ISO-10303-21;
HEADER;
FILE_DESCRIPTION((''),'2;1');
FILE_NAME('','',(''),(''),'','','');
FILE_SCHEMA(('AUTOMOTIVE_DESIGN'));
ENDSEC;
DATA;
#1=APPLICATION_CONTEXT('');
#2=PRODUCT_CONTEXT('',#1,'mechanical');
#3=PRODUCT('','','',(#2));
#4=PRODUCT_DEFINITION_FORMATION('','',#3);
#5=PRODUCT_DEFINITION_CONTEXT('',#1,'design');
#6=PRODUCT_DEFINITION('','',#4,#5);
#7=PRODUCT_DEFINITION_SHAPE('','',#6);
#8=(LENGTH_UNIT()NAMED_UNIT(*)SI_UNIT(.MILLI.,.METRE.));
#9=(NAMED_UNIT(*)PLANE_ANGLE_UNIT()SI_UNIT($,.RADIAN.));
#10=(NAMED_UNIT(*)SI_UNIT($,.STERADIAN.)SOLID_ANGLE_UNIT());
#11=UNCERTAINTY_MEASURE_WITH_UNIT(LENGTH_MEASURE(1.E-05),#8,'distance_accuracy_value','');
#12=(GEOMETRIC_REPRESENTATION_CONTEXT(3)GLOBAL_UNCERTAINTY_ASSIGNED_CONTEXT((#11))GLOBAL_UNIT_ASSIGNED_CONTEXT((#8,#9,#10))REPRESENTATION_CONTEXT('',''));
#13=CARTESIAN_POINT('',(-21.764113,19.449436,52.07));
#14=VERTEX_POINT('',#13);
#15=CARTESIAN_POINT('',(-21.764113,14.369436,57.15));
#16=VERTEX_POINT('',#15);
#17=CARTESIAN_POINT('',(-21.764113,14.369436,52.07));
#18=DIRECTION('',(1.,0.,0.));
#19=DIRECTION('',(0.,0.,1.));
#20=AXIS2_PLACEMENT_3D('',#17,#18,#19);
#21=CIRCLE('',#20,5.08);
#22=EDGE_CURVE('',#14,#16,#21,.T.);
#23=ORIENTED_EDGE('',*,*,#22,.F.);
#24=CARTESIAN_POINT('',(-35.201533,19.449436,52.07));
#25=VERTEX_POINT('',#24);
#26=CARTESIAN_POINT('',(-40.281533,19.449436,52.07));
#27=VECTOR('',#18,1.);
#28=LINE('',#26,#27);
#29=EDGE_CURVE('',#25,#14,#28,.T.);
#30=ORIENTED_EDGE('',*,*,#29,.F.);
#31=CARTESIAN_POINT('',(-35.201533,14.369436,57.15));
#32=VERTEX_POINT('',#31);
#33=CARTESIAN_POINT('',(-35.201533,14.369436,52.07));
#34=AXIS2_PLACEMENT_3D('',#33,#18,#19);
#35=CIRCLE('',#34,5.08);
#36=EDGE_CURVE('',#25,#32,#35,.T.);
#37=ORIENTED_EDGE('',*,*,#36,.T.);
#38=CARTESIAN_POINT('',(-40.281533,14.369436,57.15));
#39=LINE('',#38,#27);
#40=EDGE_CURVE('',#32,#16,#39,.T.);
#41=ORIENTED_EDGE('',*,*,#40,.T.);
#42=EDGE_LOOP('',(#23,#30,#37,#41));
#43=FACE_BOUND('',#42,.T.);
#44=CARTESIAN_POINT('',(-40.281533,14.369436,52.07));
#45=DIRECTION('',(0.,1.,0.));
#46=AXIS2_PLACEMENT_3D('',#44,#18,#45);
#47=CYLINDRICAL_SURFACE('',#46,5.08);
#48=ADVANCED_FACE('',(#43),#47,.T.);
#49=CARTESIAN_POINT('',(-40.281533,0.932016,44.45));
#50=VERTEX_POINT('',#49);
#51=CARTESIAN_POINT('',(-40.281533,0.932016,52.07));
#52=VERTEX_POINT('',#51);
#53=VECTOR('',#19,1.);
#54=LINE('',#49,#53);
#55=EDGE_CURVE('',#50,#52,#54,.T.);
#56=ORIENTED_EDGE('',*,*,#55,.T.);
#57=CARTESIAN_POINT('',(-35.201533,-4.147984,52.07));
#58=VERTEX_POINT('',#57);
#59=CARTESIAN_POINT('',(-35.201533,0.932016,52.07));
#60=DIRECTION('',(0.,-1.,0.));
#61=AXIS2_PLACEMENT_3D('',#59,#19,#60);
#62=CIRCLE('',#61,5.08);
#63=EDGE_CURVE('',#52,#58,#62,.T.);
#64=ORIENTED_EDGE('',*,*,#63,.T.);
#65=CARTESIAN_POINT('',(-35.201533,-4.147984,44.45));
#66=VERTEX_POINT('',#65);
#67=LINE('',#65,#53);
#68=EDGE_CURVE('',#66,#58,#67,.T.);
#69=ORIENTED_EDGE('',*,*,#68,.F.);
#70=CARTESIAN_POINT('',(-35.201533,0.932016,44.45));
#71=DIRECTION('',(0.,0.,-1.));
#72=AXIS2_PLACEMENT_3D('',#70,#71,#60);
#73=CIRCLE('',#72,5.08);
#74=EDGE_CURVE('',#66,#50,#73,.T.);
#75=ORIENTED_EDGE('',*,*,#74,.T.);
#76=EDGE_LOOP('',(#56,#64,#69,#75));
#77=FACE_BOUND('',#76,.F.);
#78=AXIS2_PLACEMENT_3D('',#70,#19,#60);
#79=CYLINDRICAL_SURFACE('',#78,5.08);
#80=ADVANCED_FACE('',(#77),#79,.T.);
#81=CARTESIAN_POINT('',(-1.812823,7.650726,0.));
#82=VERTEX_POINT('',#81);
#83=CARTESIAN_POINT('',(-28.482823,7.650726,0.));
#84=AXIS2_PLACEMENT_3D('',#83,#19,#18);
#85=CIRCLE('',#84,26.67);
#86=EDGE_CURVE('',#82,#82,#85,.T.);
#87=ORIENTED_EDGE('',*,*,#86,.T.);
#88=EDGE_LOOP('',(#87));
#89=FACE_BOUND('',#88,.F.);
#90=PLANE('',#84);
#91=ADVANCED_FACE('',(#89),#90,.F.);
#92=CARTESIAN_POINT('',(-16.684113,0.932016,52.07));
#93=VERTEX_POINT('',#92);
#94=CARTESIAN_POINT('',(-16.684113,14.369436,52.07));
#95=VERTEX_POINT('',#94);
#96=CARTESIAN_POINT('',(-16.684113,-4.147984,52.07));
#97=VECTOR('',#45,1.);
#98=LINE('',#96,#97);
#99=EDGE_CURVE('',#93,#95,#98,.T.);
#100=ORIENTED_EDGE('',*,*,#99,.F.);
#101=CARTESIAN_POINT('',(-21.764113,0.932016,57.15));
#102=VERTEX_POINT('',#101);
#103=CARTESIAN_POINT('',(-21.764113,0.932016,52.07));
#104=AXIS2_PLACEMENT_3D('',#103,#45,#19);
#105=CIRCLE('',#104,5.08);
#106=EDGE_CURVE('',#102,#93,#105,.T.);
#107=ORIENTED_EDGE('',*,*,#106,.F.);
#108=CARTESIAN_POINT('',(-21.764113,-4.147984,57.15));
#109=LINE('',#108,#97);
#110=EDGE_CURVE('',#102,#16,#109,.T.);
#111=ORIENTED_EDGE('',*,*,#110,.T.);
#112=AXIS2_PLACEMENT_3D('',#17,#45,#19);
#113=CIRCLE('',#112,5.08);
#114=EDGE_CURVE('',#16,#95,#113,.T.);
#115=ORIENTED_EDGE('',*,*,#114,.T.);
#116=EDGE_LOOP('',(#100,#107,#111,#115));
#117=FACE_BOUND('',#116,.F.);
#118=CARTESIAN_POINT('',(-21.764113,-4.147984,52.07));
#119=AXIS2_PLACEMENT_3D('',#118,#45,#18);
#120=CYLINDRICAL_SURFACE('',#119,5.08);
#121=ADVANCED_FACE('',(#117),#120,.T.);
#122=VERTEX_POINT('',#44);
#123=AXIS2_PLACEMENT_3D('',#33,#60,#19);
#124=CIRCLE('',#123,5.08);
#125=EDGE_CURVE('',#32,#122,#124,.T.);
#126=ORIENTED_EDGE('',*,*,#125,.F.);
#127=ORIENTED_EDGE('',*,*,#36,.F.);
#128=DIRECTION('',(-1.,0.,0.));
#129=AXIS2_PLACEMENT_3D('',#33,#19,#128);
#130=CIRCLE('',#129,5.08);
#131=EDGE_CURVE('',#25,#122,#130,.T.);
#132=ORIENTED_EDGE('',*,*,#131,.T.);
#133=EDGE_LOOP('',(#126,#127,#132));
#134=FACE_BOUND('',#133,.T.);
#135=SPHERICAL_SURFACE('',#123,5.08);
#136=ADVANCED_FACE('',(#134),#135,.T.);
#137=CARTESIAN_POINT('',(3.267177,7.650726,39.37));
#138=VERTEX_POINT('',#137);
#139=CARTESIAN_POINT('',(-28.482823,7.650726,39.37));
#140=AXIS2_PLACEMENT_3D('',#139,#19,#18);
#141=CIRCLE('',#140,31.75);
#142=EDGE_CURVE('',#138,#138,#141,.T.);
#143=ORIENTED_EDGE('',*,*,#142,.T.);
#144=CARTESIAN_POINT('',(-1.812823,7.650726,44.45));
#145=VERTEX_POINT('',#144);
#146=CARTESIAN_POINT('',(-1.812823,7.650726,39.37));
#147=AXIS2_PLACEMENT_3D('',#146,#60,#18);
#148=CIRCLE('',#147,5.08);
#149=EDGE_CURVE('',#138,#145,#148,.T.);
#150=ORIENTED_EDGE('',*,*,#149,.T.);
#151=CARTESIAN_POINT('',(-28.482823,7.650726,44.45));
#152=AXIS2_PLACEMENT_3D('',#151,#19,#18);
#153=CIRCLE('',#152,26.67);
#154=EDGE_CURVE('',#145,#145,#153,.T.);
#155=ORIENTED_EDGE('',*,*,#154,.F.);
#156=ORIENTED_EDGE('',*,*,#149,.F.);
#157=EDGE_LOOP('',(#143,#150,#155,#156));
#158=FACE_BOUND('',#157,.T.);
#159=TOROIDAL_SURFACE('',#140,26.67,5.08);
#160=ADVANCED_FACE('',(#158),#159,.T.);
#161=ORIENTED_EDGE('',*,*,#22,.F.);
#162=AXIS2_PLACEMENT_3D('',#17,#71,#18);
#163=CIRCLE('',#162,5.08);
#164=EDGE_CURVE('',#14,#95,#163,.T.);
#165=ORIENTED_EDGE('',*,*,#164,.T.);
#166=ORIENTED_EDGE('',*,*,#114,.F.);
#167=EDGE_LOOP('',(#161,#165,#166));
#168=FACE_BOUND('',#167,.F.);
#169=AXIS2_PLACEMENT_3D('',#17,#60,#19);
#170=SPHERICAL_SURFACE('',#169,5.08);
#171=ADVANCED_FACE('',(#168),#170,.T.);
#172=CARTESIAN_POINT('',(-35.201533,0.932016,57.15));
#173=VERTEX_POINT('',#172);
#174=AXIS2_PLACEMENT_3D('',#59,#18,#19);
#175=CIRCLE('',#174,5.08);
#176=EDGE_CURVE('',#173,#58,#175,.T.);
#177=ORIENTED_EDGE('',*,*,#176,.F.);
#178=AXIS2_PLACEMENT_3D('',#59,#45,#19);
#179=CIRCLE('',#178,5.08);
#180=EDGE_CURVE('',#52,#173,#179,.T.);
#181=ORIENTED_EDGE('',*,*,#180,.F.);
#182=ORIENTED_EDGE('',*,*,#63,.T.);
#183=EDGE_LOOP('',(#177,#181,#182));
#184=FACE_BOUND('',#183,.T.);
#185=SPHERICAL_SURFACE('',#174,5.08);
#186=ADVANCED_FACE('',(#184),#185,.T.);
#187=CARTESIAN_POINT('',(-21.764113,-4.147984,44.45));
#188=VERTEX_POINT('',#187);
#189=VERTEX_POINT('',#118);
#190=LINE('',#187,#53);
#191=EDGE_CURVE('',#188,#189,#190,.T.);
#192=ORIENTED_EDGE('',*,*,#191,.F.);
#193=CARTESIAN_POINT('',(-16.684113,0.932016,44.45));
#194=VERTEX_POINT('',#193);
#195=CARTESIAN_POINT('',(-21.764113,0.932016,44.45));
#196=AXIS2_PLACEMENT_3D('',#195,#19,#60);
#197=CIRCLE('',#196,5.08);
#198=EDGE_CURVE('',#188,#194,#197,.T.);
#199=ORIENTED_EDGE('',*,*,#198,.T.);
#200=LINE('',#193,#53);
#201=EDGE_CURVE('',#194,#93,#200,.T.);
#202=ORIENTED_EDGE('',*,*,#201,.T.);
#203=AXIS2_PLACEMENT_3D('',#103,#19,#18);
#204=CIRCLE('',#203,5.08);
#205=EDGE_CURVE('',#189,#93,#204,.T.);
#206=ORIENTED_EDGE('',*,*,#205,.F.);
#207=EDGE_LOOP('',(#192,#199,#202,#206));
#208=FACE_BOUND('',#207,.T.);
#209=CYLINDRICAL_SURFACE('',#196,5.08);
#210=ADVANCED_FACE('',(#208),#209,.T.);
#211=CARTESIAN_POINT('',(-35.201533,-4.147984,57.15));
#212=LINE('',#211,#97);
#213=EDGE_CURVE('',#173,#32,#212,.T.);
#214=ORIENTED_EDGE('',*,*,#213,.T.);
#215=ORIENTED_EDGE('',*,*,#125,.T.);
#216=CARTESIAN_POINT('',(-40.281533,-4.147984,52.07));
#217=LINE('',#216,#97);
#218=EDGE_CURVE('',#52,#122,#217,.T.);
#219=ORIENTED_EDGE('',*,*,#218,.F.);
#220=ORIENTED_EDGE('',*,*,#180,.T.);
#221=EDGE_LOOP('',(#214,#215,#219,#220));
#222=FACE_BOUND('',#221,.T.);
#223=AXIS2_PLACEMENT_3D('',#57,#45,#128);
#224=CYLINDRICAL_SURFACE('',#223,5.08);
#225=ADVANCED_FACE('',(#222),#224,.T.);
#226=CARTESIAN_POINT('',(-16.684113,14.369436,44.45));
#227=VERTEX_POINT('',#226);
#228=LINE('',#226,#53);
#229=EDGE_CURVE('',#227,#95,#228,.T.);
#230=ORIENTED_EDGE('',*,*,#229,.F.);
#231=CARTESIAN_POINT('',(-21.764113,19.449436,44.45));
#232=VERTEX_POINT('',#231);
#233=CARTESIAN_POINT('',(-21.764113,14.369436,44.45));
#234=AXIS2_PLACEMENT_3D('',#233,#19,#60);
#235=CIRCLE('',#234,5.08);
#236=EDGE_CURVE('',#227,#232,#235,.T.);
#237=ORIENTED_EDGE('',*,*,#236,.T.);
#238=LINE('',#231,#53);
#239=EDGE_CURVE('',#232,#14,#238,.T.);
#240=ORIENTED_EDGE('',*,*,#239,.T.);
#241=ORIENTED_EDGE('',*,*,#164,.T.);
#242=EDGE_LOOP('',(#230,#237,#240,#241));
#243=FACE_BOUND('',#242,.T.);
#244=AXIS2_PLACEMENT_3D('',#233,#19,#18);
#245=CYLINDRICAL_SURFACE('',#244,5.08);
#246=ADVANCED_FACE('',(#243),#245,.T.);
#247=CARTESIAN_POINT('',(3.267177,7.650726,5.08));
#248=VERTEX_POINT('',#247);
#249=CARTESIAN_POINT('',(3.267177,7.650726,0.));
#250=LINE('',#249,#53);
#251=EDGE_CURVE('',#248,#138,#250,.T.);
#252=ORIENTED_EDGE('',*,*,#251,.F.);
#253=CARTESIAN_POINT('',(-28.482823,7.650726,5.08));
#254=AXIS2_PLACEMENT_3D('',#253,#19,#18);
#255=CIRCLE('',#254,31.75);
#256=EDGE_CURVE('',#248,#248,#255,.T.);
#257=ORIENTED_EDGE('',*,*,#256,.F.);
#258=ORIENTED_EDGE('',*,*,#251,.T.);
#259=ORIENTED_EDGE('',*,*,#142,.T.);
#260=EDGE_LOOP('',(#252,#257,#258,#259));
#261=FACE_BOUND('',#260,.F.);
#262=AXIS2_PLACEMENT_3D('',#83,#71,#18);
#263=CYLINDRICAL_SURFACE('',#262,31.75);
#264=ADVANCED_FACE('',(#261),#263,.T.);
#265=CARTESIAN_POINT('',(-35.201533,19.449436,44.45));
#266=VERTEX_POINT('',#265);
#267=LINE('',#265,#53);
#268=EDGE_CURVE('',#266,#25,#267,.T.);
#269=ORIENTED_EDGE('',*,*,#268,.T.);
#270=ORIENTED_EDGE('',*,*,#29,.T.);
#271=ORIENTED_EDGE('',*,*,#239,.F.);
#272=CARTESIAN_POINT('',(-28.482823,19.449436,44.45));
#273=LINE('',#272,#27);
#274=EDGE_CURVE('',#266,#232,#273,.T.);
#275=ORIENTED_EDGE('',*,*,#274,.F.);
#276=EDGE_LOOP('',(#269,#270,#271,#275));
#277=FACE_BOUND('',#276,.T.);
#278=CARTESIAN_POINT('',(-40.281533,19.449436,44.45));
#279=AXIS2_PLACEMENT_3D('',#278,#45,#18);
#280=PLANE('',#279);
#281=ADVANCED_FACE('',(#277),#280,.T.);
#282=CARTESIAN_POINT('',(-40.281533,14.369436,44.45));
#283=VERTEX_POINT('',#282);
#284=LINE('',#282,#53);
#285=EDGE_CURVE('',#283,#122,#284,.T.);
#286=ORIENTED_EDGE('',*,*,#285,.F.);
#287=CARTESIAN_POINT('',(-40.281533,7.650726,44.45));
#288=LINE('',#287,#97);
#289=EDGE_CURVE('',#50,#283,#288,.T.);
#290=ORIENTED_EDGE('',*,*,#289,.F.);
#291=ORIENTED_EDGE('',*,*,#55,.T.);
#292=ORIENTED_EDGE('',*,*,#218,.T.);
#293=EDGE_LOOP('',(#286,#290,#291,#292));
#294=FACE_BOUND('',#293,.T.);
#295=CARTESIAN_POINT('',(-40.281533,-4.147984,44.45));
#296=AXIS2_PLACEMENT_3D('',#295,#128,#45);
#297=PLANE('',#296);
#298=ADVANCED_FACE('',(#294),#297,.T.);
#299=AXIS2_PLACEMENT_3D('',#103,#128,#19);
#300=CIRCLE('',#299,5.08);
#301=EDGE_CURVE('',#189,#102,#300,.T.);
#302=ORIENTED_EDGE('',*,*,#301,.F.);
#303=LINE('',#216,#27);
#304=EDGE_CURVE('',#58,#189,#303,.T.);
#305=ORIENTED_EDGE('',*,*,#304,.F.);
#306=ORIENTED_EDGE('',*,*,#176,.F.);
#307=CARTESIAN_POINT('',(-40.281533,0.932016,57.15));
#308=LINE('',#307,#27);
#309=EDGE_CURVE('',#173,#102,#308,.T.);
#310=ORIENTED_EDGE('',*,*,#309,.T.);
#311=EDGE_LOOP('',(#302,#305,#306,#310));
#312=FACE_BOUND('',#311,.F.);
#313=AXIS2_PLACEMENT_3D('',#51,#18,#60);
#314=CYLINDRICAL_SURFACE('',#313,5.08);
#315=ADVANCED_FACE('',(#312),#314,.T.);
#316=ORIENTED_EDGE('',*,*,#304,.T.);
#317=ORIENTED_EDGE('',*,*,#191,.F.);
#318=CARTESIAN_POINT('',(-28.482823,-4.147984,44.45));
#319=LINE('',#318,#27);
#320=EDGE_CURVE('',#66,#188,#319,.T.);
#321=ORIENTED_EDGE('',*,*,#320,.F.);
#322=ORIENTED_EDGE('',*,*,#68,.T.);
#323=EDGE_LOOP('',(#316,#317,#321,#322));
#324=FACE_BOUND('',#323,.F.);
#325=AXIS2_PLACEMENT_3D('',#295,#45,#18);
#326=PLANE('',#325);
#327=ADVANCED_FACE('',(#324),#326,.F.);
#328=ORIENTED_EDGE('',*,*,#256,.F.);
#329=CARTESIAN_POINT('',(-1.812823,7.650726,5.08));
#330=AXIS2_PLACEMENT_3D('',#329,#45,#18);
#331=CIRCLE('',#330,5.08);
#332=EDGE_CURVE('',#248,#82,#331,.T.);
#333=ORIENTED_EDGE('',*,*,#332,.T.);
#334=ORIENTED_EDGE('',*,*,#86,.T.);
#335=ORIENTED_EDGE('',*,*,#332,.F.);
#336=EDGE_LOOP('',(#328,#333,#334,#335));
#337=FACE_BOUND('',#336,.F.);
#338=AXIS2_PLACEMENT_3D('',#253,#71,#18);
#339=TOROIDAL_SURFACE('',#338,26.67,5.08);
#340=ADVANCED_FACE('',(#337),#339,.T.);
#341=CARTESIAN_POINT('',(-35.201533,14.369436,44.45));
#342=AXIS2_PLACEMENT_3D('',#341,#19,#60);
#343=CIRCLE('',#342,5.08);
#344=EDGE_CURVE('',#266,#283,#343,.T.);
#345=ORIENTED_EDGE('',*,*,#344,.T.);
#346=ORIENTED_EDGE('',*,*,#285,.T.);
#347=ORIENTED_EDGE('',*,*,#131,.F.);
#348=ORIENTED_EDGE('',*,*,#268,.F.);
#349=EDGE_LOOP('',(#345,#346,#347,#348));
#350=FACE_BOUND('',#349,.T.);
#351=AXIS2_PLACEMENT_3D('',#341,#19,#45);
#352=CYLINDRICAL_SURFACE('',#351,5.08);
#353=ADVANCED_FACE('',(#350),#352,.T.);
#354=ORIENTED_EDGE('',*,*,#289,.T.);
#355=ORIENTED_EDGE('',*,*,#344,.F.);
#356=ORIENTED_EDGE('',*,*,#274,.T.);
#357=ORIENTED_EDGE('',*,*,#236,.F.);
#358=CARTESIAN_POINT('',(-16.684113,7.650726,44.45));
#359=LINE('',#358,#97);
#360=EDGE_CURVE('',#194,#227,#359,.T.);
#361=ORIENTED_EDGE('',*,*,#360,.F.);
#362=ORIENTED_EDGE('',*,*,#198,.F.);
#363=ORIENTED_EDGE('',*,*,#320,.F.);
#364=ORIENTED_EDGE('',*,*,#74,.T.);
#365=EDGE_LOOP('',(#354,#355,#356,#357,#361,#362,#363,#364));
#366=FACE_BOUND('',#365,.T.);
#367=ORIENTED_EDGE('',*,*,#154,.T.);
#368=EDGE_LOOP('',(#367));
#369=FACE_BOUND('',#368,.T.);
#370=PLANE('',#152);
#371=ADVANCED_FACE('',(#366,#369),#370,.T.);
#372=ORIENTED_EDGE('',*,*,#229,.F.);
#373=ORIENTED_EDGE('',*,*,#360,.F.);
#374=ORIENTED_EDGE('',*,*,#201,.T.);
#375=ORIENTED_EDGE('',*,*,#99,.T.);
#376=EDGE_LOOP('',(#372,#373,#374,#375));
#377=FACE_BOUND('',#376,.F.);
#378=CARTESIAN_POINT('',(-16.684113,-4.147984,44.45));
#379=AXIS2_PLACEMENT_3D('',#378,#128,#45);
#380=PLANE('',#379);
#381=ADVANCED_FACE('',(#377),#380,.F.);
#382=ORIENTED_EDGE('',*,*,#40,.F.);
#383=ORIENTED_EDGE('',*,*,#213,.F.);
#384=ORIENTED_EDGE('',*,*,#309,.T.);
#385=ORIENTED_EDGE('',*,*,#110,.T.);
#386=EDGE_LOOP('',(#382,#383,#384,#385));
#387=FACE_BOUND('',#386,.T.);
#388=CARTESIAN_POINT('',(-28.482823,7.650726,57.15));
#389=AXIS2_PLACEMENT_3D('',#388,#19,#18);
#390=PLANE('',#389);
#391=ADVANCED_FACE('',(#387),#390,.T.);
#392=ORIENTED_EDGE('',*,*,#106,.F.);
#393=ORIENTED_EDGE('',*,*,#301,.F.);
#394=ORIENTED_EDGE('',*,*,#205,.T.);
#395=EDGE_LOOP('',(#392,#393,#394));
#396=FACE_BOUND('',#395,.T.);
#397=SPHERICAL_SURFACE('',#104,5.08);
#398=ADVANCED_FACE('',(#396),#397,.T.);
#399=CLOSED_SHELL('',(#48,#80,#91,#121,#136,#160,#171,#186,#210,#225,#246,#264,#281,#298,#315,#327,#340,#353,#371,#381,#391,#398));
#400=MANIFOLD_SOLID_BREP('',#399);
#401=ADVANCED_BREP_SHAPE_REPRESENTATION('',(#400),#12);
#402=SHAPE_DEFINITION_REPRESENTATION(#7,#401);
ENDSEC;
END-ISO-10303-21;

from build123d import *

# Parameters (mm, degrees)
F0_R     = 31.75
F1_DEPTH = 44.45
F2_W     = 23.59742
F2_H     = 23.59742
F3_DEPTH = 12.7
F4_R     = 5.08


with BuildPart() as f1:
    # F0 (on Top) → F1 (new body)
    with BuildSketch(Plane.XY):
        with Locations((-28.482823, 7.650726)):
            Circle(F0_R)
    extrude(amount=F1_DEPTH)

    # F2 (on face) → F3 (join)
    with BuildSketch(Plane.XY.offset(44.45)):
        with Locations((-28.482823, 7.650726)):
            Rectangle(F2_W, F2_H)
    extrude(amount=F3_DEPTH)

    # F4
    f4_edges = [f1.edges().sort_by_distance(p)[0] for p in [
        (-60.232823, 7.650726, 44.45),
        (-60.232823, 7.650726, 0),
        (-16.684113, 7.650726, 57.15),
        (-28.482823, -4.147984, 57.15),
        (-40.281533, 7.650726, 57.15),
        (-28.482823, 19.449436, 57.15),
        (-16.684113, -4.147984, 50.8),
        (-40.281533, -4.147984, 50.8),
        (-16.684113, 19.449436, 50.8),
        (-40.281533, 19.449436, 50.8),
    ]]
    fillet(f4_edges, radius=F4_R)


solid = f1.part
